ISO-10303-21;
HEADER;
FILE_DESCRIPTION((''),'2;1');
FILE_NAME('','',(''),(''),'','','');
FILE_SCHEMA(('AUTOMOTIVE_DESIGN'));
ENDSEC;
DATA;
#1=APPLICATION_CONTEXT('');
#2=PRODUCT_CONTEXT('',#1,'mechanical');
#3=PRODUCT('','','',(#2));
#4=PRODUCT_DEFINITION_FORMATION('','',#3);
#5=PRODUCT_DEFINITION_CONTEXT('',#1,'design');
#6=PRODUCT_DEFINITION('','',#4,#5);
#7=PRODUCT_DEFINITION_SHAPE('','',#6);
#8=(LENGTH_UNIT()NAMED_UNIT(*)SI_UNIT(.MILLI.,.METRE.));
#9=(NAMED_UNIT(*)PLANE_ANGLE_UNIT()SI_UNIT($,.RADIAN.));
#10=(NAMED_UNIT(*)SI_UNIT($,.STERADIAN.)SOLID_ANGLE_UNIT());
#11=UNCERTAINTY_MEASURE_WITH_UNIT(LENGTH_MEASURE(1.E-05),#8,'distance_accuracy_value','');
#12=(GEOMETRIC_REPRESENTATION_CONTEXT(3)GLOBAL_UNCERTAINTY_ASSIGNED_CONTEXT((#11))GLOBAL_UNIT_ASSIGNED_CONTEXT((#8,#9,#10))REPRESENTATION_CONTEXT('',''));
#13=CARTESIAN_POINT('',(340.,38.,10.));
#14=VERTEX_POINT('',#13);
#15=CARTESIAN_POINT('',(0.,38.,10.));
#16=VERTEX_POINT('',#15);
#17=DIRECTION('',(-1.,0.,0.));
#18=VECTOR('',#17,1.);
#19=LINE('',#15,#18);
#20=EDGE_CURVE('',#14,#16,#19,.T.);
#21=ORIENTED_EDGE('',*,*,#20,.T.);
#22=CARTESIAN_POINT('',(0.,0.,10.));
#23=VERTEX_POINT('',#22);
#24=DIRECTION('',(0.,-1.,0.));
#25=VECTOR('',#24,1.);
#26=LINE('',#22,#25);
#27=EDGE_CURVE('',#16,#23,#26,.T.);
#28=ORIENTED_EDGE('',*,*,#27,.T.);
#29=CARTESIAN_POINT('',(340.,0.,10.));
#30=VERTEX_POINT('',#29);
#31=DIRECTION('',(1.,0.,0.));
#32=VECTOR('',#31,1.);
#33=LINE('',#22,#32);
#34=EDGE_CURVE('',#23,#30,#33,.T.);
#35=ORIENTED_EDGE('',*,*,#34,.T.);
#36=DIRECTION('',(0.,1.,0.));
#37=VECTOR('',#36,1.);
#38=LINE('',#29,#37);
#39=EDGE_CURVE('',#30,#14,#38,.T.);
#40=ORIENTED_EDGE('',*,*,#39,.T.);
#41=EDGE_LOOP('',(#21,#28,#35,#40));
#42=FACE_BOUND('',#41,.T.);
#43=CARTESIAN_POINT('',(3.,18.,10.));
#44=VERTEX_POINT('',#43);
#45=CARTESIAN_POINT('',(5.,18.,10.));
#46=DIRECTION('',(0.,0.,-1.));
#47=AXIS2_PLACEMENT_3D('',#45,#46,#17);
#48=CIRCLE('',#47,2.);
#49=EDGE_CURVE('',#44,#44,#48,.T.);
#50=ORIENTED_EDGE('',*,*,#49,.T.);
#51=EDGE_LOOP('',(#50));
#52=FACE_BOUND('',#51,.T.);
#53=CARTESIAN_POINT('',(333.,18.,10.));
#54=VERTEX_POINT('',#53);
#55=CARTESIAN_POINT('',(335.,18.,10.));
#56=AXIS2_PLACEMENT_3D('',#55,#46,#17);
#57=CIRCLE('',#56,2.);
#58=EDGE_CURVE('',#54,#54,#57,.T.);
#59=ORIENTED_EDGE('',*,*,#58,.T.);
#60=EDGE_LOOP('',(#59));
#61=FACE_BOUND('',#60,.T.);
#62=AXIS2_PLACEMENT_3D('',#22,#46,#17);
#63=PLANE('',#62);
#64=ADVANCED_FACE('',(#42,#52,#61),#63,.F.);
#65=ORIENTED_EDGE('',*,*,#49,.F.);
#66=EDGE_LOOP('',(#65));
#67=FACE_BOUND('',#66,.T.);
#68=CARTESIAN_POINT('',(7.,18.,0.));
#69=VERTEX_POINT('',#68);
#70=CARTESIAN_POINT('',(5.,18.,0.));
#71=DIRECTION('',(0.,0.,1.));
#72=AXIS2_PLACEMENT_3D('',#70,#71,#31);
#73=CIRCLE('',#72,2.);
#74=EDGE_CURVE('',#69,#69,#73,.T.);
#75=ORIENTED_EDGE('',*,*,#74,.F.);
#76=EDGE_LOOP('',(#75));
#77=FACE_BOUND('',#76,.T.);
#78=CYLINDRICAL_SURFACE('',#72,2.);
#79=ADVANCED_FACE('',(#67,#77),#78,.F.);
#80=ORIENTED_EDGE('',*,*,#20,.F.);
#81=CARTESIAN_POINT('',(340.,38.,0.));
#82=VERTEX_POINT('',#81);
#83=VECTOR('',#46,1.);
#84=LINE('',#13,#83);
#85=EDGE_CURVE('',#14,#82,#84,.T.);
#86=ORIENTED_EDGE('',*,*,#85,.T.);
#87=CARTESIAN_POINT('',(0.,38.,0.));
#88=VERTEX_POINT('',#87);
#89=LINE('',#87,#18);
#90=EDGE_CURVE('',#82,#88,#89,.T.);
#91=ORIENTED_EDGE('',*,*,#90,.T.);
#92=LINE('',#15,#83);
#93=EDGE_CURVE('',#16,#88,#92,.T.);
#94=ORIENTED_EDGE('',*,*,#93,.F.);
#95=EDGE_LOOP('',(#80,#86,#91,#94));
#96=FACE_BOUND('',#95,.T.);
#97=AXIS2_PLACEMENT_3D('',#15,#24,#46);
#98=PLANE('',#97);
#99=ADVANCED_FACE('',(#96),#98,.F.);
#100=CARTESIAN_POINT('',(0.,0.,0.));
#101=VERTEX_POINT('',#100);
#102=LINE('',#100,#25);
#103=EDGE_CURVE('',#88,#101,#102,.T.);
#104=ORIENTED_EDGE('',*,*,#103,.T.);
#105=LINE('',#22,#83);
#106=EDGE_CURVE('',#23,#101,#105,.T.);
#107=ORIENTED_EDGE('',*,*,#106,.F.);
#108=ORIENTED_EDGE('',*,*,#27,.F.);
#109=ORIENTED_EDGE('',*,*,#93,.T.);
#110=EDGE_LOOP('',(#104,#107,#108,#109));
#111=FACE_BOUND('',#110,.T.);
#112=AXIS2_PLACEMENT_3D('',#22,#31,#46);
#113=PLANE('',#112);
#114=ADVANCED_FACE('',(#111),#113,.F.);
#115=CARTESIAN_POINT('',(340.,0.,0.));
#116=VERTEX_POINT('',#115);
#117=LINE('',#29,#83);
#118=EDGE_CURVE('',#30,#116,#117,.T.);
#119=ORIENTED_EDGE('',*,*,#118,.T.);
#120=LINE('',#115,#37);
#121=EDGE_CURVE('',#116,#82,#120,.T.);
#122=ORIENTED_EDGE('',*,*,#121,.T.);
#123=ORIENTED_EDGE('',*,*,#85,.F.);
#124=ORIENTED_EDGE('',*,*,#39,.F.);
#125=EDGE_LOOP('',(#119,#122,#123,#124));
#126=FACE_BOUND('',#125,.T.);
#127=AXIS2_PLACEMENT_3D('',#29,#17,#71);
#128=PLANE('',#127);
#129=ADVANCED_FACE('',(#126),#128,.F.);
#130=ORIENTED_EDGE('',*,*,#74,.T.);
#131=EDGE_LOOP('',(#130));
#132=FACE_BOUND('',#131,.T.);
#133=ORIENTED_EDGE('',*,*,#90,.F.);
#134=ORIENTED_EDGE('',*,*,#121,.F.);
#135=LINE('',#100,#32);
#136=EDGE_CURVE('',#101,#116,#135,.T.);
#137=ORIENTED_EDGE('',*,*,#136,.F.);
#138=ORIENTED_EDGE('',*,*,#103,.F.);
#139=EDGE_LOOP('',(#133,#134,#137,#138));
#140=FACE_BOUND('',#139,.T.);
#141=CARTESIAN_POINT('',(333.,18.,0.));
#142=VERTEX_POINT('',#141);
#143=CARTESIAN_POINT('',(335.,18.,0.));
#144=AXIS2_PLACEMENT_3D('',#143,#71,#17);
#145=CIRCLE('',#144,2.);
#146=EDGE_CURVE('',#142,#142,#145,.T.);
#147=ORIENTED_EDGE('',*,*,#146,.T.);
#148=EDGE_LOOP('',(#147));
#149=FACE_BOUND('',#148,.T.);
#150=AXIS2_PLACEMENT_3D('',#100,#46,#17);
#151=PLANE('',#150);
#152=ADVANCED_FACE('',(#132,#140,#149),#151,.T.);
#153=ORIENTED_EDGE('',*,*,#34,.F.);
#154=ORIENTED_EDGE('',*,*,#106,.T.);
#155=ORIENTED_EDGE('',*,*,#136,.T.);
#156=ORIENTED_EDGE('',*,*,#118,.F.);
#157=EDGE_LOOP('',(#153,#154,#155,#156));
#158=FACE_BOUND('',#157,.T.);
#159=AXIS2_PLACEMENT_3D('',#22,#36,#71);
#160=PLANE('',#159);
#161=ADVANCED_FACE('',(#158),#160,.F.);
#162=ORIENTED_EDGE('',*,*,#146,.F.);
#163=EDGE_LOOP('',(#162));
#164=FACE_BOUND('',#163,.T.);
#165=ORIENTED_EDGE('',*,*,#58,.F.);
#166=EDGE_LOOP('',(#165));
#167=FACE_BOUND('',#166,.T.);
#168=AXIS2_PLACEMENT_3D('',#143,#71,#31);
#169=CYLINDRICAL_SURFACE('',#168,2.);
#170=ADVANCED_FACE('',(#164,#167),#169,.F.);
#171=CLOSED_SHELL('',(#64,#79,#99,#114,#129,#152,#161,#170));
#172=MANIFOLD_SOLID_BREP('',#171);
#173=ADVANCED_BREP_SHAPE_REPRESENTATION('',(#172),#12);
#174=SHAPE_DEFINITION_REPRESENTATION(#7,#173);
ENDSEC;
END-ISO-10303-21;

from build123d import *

# Parameters (mm, degrees)
ESQUISSE1_W                  = 340
ESQUISSE1_H                  = 38
BOSS_EXTRU_1_DEPTH           = 10
ENL_V_MAT_EXTRU_1_DEPTH      = 343.263056727
ENL_V_MAT_EXTRU_1_DEPTH_BACK = 343.263056727
ESQUISSE2_R                  = 2


with BuildPart() as part:
    # Esquisse1 → Boss.-Extru.1 (new body)
    with BuildSketch(Plane.XY):
        with Locations((170, 19)):
            Rectangle(ESQUISSE1_W, ESQUISSE1_H)
    extrude(amount=BOSS_EXTRU_1_DEPTH)

    # Esquisse2 → Enlèv. mat.-Extru.1 (cut, two sides: drawn at the far end of the back side and taken through both)
    with BuildSketch(Plane.XY.offset(10).offset(-ENL_V_MAT_EXTRU_1_DEPTH_BACK)):
        with Locations((5, 18)):
            Circle(ESQUISSE2_R)
        with Locations(Location((335, 18, 0), (0, 0, 180))):
            Circle(ESQUISSE2_R)
    extrude(amount=ENL_V_MAT_EXTRU_1_DEPTH + ENL_V_MAT_EXTRU_1_DEPTH_BACK, mode=Mode.SUBTRACT)


solid = part.part
